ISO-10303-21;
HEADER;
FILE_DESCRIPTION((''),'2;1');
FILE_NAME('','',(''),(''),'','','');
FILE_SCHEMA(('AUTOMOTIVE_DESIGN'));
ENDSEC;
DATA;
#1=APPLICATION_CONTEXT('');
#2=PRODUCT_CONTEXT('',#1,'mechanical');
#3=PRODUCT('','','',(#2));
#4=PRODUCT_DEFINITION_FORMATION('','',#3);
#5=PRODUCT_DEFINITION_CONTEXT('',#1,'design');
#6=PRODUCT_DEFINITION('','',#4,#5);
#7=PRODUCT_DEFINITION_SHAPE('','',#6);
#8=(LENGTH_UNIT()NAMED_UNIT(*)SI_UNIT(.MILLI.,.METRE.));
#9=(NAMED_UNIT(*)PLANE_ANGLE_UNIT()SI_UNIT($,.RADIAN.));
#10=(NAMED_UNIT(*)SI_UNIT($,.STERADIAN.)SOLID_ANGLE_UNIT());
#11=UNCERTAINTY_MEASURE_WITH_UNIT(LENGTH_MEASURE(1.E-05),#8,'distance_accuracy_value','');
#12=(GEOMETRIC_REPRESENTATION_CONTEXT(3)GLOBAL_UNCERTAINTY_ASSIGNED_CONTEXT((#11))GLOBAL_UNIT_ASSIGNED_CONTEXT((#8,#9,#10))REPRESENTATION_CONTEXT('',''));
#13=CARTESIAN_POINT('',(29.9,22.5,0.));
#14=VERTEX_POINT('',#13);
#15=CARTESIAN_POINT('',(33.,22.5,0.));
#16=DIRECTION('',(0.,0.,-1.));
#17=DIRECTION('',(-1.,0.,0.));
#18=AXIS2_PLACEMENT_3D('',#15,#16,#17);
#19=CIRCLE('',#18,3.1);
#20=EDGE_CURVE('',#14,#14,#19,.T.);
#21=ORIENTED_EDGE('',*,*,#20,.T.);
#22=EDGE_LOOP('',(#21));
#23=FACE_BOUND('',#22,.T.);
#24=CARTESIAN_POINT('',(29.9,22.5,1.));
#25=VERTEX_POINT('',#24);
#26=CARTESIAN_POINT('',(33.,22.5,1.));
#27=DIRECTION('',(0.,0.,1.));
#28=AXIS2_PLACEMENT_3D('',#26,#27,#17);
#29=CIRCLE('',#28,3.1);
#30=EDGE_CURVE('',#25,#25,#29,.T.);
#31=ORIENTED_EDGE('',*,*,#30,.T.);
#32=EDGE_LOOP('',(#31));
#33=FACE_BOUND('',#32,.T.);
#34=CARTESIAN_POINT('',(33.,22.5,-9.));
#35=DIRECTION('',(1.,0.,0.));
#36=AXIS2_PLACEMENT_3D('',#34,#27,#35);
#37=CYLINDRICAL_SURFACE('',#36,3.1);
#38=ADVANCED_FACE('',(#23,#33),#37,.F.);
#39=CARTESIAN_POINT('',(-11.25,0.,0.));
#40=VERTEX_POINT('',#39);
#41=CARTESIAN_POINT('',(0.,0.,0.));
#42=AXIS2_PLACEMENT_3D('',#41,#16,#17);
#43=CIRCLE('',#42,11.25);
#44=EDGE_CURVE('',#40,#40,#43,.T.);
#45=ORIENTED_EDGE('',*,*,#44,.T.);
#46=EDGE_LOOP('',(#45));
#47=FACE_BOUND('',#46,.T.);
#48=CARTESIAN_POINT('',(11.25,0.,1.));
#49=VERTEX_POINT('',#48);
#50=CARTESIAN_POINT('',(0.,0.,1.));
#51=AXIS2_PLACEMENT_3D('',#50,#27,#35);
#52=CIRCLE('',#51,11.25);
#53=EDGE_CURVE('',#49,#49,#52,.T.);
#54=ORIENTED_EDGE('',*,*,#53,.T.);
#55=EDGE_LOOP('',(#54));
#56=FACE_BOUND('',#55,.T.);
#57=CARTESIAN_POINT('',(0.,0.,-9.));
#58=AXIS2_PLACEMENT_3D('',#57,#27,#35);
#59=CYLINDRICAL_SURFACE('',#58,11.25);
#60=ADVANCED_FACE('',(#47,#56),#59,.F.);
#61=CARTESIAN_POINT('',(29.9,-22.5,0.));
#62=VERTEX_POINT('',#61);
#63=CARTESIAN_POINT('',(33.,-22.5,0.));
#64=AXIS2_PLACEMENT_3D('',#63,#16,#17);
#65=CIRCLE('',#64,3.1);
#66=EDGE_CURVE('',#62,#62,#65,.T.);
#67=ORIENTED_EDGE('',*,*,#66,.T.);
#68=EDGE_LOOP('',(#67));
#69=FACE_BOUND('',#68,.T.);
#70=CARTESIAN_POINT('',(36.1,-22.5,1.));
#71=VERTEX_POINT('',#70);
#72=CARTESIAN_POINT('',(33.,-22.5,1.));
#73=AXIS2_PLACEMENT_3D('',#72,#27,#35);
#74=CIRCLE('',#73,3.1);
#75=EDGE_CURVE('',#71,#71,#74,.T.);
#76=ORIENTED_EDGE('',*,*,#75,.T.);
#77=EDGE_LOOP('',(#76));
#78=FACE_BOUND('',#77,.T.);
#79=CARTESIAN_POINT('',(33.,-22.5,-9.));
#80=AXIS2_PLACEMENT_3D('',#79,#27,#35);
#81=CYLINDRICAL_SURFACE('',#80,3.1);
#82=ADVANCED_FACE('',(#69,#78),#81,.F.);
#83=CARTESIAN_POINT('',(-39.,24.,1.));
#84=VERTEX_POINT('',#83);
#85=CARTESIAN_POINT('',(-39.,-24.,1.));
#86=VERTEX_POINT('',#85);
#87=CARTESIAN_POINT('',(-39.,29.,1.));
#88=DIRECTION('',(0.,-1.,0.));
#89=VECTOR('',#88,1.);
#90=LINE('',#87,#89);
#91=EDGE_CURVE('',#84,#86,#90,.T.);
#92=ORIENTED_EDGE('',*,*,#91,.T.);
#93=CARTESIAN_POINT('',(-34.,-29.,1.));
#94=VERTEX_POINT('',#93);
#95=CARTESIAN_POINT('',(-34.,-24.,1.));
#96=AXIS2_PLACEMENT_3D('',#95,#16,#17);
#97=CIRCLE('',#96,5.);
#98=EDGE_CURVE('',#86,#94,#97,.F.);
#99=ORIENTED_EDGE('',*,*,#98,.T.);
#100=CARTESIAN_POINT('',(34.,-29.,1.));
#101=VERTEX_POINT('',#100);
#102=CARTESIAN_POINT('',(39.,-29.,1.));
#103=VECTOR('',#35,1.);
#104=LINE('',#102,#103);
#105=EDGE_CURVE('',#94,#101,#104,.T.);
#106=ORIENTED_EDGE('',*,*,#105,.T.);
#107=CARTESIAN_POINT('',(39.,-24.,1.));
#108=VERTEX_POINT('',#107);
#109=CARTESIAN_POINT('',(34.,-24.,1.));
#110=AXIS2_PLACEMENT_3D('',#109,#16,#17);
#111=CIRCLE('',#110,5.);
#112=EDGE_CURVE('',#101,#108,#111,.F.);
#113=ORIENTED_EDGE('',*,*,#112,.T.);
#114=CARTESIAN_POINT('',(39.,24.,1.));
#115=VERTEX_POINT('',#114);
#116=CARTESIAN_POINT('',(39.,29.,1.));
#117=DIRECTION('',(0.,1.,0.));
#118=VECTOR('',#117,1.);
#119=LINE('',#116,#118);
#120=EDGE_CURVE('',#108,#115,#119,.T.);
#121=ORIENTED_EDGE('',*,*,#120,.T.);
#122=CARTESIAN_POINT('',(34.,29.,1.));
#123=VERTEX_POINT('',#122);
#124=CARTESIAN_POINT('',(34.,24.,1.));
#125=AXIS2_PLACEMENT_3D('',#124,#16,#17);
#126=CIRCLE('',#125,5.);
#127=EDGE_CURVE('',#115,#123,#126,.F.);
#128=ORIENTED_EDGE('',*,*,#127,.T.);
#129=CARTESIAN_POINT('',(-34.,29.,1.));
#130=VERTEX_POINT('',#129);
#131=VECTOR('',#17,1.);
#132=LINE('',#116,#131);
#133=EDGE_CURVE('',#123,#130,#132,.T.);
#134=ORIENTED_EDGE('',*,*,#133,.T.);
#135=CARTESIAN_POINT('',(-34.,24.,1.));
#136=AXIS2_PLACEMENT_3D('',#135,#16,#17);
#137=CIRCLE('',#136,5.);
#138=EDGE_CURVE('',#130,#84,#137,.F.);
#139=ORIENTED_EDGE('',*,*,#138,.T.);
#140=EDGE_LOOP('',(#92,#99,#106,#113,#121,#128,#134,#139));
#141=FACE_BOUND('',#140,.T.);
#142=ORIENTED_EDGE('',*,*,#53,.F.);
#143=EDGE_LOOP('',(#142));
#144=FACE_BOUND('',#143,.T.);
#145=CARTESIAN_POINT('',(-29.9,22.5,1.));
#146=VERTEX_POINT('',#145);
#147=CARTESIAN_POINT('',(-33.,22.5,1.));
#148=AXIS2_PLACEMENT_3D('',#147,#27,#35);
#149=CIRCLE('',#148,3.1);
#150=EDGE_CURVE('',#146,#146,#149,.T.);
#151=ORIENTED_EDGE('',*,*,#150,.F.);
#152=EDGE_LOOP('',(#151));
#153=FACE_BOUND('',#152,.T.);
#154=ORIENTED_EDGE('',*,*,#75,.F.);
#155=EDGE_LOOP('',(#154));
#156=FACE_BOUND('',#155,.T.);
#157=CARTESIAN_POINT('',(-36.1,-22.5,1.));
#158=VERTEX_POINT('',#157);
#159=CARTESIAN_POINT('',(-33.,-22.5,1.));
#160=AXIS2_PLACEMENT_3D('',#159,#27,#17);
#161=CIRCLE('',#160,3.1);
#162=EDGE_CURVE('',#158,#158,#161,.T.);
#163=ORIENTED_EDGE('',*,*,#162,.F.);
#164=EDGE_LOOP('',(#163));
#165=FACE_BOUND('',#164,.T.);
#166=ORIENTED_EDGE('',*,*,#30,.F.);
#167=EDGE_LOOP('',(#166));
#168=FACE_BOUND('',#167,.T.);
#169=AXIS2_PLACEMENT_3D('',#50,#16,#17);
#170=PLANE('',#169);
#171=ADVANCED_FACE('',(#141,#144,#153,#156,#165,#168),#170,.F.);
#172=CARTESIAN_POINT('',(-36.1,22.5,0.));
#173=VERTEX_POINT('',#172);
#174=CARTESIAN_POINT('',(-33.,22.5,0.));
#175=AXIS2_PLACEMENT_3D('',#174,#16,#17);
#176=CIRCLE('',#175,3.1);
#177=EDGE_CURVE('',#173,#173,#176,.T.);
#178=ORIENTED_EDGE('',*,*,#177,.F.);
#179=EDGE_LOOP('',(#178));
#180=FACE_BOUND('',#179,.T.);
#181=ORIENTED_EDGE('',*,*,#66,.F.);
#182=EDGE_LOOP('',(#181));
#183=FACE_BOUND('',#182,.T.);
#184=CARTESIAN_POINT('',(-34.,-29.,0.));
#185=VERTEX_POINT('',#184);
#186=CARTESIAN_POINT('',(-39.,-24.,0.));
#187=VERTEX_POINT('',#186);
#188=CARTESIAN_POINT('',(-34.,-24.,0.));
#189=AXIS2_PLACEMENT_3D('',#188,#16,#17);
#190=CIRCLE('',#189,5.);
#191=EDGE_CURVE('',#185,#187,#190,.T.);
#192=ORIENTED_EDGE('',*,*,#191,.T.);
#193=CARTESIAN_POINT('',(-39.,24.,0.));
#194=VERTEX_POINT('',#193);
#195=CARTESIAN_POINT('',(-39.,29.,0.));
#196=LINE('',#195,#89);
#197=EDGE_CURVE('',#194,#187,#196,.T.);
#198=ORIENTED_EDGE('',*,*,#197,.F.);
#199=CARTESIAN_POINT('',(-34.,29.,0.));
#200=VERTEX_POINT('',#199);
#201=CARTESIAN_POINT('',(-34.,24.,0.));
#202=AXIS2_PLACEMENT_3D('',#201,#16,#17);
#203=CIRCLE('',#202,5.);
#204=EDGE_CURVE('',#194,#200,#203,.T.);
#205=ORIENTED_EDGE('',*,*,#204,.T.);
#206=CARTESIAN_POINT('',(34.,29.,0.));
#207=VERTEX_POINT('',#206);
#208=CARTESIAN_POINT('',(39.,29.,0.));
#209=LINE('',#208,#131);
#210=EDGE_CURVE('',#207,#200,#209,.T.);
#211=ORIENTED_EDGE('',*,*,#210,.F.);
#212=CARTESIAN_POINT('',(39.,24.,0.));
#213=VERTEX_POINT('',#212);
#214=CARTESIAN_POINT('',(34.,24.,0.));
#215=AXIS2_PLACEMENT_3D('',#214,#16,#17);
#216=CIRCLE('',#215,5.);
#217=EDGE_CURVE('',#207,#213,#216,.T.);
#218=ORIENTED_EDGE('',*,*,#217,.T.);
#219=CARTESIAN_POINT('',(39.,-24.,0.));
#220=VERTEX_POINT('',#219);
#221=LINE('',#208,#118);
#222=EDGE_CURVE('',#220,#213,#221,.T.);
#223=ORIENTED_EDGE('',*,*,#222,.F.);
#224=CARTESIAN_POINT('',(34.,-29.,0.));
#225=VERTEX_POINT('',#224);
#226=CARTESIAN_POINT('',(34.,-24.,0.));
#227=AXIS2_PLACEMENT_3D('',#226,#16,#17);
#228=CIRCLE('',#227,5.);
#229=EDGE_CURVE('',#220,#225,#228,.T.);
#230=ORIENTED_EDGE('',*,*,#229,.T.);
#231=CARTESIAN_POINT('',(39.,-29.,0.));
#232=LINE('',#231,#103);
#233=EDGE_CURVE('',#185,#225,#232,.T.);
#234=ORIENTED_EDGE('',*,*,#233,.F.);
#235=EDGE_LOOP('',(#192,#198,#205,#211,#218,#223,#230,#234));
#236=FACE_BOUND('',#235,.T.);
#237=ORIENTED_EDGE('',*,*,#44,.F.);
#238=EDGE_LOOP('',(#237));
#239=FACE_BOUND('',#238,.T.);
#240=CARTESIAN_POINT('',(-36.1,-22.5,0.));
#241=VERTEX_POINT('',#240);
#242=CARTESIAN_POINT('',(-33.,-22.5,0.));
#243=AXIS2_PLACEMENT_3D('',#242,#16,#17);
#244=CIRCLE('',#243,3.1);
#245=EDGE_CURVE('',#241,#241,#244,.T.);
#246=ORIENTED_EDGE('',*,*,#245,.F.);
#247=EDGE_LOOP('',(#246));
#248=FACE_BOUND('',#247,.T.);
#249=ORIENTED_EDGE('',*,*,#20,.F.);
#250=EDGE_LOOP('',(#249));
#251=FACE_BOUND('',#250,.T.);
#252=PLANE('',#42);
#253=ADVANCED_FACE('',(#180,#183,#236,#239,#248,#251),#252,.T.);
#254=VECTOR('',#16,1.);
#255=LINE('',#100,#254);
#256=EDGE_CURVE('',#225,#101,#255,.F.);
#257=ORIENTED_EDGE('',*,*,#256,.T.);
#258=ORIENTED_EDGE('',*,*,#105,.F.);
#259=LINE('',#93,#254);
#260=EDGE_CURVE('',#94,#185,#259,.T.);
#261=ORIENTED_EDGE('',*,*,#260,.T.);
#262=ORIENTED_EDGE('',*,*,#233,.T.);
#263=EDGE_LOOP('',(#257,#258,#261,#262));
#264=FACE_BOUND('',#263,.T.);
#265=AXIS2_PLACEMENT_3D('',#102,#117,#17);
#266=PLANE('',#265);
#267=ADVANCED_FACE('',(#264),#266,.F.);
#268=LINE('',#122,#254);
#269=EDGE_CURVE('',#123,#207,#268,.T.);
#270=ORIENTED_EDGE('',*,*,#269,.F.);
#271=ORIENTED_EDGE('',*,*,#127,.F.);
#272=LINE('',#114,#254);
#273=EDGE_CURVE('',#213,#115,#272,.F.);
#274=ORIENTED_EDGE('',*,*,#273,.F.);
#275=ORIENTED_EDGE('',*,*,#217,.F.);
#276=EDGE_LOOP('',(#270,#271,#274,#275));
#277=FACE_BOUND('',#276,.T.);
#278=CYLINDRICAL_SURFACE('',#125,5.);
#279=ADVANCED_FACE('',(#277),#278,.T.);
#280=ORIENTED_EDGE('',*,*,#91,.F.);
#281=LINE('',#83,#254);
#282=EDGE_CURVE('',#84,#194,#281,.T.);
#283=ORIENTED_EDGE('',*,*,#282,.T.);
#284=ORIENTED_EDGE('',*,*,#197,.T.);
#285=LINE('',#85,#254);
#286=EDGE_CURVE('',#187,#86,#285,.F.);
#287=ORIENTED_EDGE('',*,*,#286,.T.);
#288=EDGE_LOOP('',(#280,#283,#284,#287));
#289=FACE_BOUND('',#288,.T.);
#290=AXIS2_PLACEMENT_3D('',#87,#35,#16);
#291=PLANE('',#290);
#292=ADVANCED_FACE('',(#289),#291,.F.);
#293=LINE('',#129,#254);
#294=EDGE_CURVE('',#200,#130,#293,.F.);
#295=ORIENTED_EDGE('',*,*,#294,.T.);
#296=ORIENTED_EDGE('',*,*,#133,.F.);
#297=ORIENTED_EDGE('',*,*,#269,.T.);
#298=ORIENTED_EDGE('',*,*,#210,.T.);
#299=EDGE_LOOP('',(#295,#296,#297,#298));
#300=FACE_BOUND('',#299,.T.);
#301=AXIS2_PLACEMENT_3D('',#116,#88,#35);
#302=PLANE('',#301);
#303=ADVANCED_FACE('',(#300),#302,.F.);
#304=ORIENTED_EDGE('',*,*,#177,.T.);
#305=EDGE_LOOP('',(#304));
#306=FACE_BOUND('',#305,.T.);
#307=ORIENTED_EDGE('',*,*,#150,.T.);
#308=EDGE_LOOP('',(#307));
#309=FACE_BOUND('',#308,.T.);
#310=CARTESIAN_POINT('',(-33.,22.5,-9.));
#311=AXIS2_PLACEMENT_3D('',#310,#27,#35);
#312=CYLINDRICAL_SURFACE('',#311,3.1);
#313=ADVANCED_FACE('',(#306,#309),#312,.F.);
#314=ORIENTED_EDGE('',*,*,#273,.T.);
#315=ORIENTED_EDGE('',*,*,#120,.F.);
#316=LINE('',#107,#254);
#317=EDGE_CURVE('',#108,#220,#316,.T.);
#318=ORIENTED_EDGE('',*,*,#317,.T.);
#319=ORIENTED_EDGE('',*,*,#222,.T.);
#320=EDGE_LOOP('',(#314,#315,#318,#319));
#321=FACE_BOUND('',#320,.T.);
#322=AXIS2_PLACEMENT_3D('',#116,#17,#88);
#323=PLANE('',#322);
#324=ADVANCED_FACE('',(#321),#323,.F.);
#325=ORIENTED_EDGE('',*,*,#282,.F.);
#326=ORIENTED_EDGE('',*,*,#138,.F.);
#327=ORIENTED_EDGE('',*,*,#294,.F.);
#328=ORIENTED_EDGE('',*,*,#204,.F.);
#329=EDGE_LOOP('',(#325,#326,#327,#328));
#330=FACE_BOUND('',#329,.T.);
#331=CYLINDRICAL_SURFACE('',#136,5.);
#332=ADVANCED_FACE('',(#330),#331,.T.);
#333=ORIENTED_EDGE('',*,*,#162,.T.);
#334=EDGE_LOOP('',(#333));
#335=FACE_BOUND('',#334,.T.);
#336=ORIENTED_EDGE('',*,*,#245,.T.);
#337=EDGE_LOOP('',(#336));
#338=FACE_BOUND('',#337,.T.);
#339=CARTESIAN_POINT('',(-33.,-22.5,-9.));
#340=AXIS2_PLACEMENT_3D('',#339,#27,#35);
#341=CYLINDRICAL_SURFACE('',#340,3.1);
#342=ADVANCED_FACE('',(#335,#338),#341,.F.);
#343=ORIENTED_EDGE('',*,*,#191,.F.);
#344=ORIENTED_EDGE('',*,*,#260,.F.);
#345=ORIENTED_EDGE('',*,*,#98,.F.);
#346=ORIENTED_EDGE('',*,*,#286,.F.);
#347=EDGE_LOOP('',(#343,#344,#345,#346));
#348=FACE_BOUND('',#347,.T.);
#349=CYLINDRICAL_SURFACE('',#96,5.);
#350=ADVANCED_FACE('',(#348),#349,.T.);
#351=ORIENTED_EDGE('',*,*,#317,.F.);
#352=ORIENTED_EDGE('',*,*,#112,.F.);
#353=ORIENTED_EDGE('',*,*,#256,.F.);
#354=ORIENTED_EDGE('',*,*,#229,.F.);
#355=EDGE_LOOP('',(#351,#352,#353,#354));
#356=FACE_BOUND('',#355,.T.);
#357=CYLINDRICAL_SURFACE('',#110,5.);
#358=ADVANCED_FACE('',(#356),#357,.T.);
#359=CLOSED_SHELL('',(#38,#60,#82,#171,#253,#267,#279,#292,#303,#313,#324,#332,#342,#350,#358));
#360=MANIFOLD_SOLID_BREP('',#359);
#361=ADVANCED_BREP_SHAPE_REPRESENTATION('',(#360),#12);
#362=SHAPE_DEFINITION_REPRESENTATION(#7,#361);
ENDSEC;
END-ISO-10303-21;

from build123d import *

# Parameters (mm, degrees)
SKETCH1_W           = 78
SKETCH1_H           = 58
BOSS_EXTRUDE1_DEPTH = 1
SKETCH2_R           = 3.1
SKETCH2_R_2         = 11.25
CUT_EXTRUDE1_DEPTH  = 10
FILLET1_R           = 5


with BuildPart() as part:
    # Sketch1 → Boss-Extrude1 (new body)
    with BuildSketch(Plane.XY):
        Rectangle(SKETCH1_W, SKETCH1_H)
    extrude(amount=BOSS_EXTRUDE1_DEPTH)

    # Sketch2 → Cut-Extrude1 (cut)
    with BuildSketch(Plane.XY.offset(1)):
        with Locations((-33, 22.5)):
            Circle(SKETCH2_R)
        with Locations(Location((33, 22.5, 0), (0, 0, 180))):
            Circle(SKETCH2_R)
        with Locations((33, -22.5)):
            Circle(SKETCH2_R)
        with Locations(Location((-33, -22.5, 0), (0, 0, 180))):
            Circle(SKETCH2_R)
        Circle(SKETCH2_R_2)
    extrude(amount=-CUT_EXTRUDE1_DEPTH, mode=Mode.SUBTRACT)

    # Fillet1
    fillet1_edges = [part.edges().sort_by_distance(p)[0] for p in [
        (-39, 29, 0.5),
        (39, 29, 0.5),
        (39, -29, 0.5),
        (-39, -29, 0.5),
    ]]
    fillet(fillet1_edges, radius=FILLET1_R)


solid = part.part
